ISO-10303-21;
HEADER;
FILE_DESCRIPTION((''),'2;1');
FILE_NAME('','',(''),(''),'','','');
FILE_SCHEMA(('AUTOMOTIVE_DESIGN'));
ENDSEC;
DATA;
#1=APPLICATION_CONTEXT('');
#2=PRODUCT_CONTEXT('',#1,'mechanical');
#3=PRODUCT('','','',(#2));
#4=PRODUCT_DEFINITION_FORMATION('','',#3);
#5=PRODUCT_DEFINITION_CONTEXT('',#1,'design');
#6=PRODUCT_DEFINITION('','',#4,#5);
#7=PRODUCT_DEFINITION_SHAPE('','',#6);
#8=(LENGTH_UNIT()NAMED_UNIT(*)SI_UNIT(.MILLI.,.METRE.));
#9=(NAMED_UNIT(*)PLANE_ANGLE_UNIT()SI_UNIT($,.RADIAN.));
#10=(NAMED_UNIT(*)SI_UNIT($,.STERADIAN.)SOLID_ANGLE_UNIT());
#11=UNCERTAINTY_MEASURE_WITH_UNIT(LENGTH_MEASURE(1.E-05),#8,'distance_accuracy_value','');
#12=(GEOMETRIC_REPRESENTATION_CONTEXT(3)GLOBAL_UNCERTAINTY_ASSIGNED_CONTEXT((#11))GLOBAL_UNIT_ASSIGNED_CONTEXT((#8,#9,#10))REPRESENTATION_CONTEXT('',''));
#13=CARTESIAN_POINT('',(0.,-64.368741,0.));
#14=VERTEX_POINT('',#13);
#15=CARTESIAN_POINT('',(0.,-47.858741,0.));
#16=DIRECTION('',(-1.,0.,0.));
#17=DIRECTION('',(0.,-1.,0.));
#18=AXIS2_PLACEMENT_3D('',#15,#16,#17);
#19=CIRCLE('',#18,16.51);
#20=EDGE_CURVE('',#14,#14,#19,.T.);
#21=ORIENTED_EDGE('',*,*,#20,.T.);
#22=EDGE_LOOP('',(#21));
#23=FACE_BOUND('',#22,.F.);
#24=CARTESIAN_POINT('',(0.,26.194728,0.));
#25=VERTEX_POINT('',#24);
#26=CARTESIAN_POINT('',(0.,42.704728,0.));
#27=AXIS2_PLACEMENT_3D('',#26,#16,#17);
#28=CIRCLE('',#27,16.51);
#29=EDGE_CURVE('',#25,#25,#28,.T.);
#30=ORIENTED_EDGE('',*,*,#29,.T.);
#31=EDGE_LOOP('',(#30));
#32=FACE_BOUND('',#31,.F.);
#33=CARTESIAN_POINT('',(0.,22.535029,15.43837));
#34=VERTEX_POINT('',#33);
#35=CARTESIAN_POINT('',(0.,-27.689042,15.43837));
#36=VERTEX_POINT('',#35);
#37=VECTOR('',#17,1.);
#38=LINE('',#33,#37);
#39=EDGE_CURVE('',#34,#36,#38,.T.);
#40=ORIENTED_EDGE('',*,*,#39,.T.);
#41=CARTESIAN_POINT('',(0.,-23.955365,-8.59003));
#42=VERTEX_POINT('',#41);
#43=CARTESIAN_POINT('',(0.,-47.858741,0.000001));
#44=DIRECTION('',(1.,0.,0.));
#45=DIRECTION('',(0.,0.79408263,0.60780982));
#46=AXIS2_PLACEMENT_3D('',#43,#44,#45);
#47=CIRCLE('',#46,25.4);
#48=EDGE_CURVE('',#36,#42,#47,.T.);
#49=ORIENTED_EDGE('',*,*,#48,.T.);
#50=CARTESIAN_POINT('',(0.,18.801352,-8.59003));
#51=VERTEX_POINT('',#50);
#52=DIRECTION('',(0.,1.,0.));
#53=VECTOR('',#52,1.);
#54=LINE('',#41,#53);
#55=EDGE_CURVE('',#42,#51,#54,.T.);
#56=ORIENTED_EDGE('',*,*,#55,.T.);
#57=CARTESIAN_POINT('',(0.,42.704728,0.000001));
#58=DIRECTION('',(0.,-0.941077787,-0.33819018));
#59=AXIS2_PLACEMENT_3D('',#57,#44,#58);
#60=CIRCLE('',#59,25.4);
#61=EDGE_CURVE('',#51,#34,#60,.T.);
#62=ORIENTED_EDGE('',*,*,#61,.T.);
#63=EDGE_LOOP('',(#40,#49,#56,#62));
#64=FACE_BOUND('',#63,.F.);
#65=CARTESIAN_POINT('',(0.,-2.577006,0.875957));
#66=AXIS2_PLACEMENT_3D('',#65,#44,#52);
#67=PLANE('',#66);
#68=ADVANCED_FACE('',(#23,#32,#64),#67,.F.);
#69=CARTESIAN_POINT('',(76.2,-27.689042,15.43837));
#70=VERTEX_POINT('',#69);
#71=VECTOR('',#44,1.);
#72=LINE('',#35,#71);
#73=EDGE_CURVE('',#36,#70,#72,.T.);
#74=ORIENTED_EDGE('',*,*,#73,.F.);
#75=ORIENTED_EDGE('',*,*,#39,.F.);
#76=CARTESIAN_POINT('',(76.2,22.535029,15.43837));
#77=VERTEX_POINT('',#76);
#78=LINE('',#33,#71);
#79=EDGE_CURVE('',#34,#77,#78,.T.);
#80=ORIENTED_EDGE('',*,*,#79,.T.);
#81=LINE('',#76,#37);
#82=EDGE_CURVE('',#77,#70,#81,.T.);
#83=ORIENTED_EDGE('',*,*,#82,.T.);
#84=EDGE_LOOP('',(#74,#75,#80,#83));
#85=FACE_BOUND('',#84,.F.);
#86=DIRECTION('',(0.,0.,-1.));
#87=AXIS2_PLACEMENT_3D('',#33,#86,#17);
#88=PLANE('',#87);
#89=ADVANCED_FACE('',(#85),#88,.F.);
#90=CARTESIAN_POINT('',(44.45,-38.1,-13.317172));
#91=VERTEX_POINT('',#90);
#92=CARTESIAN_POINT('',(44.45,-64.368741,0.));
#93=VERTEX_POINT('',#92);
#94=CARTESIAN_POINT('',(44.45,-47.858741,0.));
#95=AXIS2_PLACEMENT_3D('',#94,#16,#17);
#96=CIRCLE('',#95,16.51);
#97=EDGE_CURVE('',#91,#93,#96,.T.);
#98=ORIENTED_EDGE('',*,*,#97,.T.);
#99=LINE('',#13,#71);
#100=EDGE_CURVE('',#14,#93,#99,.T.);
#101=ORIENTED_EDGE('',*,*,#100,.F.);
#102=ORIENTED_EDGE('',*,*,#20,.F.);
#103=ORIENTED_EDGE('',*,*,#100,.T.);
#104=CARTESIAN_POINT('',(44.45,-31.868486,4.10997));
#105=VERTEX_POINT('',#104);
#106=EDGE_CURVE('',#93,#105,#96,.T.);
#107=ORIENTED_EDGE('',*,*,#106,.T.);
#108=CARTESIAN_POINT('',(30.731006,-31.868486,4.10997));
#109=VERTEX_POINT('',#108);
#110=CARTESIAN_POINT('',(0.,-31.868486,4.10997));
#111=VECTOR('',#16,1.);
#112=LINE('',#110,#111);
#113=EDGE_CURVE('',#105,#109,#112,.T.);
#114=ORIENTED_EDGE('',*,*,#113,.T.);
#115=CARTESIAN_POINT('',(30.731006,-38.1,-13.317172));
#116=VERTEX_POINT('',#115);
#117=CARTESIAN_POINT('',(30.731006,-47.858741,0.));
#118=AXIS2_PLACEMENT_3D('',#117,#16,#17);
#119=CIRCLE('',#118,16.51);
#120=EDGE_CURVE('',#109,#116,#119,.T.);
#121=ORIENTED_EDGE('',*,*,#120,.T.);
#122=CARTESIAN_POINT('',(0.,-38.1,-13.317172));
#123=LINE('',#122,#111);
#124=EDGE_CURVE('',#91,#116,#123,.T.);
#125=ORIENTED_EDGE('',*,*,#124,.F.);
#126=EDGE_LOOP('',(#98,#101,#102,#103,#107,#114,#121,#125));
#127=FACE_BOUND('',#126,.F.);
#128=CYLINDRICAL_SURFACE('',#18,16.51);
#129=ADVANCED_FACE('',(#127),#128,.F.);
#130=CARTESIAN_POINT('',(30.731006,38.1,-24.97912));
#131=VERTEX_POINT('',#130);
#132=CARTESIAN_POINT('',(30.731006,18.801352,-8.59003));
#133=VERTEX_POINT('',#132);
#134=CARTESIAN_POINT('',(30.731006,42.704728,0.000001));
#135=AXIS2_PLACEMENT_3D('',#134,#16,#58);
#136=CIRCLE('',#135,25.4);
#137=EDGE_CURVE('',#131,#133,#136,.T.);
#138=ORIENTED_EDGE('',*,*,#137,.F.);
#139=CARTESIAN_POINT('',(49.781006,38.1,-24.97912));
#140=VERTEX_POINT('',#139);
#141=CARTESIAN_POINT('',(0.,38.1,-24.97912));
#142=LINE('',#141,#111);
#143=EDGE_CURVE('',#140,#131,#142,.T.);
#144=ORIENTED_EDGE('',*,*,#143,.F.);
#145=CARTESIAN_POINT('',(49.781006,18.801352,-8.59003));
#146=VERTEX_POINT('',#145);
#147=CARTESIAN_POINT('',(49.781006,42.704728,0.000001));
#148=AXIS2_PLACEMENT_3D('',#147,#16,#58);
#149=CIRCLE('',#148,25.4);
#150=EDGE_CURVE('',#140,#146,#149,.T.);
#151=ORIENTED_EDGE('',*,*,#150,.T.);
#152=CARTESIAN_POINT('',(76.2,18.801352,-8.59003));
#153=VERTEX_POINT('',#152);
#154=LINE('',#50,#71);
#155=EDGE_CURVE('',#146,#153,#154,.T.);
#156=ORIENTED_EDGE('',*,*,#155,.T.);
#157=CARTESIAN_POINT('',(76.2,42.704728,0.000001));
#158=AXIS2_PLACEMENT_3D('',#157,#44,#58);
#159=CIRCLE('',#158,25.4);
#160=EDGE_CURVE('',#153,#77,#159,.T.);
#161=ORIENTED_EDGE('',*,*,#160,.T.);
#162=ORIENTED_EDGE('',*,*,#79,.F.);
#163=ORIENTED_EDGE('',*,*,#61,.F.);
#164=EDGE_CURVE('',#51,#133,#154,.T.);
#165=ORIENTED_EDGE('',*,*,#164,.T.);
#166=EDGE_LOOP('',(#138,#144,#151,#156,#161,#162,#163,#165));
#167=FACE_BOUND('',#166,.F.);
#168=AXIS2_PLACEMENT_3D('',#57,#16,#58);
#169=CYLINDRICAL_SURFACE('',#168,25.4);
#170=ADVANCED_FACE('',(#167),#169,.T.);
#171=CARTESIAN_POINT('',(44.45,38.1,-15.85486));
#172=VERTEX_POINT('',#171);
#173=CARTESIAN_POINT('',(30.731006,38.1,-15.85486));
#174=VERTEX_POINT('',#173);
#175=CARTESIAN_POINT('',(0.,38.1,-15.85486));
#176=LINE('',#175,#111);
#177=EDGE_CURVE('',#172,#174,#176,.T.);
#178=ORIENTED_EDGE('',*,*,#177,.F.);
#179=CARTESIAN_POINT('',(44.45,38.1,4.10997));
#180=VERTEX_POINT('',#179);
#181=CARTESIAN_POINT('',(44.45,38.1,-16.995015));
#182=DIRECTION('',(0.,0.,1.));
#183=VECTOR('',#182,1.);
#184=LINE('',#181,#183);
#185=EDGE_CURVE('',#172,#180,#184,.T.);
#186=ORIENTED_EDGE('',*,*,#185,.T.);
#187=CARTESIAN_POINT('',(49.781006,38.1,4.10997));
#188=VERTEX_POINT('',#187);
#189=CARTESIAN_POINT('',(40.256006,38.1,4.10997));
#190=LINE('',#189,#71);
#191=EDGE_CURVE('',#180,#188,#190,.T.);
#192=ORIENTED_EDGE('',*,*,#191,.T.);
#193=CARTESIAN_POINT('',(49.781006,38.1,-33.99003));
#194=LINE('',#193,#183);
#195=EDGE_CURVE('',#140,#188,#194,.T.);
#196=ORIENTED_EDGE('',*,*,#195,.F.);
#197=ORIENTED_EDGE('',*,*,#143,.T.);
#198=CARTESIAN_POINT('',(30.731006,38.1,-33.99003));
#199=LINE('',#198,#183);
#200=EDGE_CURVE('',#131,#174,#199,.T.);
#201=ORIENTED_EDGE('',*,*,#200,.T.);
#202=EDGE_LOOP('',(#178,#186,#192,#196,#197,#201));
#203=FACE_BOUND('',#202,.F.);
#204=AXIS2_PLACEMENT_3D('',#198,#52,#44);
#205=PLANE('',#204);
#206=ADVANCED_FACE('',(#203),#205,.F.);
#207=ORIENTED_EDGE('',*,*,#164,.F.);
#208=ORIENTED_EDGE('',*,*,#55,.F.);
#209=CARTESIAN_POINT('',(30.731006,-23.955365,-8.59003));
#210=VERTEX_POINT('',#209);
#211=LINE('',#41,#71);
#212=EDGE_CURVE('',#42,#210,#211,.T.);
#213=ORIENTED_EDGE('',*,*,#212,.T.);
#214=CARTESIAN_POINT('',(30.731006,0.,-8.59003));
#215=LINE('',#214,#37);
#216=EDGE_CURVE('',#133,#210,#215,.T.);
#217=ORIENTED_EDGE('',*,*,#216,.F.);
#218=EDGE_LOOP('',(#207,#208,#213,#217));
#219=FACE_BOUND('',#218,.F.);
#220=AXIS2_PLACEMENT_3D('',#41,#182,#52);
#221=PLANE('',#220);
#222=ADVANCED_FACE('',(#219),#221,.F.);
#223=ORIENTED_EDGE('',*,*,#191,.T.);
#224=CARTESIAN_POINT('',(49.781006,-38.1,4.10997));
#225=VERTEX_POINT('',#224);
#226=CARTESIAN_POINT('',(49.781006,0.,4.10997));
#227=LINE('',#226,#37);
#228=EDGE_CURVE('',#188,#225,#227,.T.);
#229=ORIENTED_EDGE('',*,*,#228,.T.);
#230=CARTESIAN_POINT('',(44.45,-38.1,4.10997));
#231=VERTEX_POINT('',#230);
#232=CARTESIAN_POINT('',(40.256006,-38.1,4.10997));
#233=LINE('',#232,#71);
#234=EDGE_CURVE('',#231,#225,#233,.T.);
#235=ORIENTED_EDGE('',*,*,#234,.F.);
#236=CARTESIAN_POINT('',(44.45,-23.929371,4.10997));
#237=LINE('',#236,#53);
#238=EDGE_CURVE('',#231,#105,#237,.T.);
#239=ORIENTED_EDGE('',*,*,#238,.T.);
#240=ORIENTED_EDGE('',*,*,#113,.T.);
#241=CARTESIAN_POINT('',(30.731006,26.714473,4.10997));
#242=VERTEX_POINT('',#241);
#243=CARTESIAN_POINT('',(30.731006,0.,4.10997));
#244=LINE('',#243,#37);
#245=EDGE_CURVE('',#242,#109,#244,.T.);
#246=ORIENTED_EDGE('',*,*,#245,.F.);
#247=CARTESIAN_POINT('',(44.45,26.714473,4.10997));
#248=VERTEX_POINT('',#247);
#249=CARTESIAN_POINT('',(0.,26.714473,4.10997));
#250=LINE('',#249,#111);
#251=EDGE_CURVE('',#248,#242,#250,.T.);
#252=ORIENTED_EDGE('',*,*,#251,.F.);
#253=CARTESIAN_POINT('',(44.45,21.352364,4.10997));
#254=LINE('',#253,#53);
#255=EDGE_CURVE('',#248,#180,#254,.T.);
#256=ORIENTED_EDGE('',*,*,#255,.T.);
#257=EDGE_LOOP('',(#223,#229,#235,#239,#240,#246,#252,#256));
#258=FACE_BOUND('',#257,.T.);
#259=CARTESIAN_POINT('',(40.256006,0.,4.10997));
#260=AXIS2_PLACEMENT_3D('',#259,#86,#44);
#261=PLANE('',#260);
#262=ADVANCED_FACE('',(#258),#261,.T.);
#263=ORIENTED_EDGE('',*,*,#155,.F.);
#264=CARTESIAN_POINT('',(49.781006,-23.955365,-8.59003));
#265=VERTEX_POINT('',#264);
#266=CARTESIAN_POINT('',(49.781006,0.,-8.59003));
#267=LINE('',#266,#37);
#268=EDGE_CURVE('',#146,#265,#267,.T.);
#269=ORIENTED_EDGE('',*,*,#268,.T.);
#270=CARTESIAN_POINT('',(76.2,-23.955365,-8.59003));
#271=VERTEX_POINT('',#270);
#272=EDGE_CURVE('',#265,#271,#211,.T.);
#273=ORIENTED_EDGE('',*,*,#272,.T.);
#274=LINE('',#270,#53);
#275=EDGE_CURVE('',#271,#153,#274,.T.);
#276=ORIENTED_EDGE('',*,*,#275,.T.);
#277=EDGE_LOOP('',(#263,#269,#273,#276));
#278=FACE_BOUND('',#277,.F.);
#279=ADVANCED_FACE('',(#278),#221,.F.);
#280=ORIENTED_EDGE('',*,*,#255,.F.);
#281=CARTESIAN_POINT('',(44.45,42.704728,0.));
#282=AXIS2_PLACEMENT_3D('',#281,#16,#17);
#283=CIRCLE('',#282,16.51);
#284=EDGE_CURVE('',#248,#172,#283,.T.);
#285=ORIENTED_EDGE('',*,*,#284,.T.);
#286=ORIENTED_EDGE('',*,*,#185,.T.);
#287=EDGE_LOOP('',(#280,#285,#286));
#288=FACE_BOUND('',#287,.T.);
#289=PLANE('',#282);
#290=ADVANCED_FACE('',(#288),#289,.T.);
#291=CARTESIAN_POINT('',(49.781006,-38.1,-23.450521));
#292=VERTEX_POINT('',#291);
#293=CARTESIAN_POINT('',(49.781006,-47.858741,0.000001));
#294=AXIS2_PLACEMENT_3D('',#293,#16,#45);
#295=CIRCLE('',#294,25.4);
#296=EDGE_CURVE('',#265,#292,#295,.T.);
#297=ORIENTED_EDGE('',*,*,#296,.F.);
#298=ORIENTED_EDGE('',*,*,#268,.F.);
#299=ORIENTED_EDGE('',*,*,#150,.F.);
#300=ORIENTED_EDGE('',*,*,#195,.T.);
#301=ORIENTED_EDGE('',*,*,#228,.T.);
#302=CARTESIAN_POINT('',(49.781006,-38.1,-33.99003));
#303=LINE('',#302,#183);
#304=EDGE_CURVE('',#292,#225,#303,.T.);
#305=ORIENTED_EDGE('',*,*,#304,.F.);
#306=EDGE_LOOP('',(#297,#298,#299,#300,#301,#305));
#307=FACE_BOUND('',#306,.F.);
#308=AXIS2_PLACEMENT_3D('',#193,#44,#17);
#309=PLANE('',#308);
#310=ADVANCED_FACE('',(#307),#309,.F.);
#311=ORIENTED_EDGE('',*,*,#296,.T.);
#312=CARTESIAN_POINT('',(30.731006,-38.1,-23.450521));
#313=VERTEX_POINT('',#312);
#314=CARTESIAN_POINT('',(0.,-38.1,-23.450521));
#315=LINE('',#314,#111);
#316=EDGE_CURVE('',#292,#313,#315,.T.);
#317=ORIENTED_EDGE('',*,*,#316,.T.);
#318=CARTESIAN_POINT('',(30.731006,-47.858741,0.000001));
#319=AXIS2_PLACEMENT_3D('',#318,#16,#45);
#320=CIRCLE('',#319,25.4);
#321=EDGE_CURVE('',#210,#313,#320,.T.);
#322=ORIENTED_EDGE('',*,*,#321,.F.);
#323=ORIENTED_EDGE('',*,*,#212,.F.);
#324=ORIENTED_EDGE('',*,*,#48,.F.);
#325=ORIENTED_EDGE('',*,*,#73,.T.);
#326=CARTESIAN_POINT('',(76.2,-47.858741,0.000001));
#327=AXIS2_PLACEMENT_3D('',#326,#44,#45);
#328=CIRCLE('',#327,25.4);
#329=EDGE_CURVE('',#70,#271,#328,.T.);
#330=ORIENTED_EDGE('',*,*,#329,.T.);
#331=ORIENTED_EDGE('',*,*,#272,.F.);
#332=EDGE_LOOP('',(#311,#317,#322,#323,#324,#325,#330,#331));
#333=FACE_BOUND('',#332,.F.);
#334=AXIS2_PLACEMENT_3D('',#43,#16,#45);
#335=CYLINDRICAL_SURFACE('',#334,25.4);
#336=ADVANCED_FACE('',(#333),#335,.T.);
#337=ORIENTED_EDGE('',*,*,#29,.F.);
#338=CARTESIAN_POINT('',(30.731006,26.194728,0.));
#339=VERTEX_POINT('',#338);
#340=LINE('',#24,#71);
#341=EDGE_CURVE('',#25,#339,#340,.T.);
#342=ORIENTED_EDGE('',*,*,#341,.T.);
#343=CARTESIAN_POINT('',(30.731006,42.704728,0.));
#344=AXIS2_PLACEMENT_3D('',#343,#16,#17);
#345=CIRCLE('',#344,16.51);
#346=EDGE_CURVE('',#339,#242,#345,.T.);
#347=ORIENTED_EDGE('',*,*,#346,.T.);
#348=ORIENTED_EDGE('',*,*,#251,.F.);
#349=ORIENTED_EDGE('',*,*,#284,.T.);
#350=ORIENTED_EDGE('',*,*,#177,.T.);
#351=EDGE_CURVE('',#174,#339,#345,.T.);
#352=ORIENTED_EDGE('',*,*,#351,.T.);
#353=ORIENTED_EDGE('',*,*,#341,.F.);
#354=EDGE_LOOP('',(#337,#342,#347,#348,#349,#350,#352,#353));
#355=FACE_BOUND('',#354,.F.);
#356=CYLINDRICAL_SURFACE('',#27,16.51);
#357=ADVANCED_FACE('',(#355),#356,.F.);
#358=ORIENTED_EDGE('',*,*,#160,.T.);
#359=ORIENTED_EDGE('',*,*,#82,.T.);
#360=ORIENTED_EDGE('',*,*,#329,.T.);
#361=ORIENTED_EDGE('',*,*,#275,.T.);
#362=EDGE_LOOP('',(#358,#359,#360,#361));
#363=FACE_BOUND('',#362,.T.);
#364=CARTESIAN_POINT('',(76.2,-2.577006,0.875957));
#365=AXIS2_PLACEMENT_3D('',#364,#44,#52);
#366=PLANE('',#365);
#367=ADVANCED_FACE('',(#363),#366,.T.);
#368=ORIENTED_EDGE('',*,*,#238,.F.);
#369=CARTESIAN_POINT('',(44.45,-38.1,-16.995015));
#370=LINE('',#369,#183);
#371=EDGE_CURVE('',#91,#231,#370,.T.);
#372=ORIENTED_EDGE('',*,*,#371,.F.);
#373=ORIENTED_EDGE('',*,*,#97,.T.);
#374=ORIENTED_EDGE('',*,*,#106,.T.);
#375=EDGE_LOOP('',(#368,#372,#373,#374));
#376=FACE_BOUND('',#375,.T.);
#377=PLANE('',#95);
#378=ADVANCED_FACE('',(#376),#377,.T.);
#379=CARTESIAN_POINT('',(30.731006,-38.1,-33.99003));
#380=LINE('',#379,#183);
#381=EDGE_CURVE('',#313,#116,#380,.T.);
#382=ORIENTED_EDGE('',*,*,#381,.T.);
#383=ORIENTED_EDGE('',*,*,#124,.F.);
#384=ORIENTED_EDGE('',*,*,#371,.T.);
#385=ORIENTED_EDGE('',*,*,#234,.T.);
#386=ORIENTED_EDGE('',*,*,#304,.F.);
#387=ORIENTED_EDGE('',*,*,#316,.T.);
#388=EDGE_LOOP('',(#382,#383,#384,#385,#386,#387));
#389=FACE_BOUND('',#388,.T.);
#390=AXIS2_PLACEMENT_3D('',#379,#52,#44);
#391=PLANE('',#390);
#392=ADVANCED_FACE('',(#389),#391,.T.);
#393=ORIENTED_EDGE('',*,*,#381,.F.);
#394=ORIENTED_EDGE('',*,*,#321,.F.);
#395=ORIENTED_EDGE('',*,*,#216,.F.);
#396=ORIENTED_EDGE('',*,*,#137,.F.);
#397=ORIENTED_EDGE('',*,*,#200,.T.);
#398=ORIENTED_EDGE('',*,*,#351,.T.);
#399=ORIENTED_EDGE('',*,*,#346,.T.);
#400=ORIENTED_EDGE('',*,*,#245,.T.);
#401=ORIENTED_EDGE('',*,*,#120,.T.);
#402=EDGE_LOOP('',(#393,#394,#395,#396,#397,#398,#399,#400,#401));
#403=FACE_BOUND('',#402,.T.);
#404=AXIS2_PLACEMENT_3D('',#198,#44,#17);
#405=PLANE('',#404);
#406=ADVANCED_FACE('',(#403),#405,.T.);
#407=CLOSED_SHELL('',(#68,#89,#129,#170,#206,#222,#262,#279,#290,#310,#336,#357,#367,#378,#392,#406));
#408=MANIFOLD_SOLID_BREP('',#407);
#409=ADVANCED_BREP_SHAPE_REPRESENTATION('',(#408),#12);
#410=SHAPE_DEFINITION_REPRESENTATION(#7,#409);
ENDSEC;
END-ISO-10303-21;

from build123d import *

# Parameters (mm, degrees)
F1_DEPTH  = 76.2
F2_W      = 19.05
F2_H      = 76.2
F3_DEPTH  = 25.4
F3_FACE_W = 19.05
F3_FACE_H = 76.2
F4_DEPTH  = 38.1
F5_R      = 16.51
F6_DEPTH  = 44.45


with BuildPart() as f1:
    # F0 (on Right) → F1 (new body)
    with BuildSketch(Plane.YZ):
        with BuildLine():
            Line((22.535029, 15.43837), (-27.689042, 15.43837))
            ThreePointArc((-27.689042, 15.43837), (-72.957545, -3.900003), (-23.955365, -8.59003))
            Line((-23.955365, -8.59003), (18.801352, -8.59003))
            ThreePointArc((18.801352, -8.59003), (67.803532, -3.900003), (22.535029, 15.43837))
        make_face()
    extrude(amount=F1_DEPTH)

    # F2 (on face) → F3 (join)
    with BuildSketch(Plane(origin=(0, 0, -8.59003), x_dir=(1, 0, 0), z_dir=(0, 0, -1))):
        with Locations((40.256006, 0)):
            Rectangle(F2_W, F2_H)
    extrude(amount=F3_DEPTH)

    # F3_face (on face) → F4 (cut)
    with BuildSketch(Plane(origin=(40.256006, 0, -33.99003), x_dir=(1, 0, 0), z_dir=(0, 0, -1))):
        Rectangle(F3_FACE_W, F3_FACE_H)
    extrude(amount=-F4_DEPTH, mode=Mode.SUBTRACT)

    # F5 (on face) → F6 (cut)
    with BuildSketch(Plane(origin=(0, 0, 0), x_dir=(0, -1, 0), z_dir=(-1, 0, 0))):
        with Locations((-42.704728, 0)):
            Circle(F5_R)
        with Locations((47.858741, 0)):
            Circle(F5_R)
    extrude(amount=-F6_DEPTH, mode=Mode.SUBTRACT)


solid = f1.part
